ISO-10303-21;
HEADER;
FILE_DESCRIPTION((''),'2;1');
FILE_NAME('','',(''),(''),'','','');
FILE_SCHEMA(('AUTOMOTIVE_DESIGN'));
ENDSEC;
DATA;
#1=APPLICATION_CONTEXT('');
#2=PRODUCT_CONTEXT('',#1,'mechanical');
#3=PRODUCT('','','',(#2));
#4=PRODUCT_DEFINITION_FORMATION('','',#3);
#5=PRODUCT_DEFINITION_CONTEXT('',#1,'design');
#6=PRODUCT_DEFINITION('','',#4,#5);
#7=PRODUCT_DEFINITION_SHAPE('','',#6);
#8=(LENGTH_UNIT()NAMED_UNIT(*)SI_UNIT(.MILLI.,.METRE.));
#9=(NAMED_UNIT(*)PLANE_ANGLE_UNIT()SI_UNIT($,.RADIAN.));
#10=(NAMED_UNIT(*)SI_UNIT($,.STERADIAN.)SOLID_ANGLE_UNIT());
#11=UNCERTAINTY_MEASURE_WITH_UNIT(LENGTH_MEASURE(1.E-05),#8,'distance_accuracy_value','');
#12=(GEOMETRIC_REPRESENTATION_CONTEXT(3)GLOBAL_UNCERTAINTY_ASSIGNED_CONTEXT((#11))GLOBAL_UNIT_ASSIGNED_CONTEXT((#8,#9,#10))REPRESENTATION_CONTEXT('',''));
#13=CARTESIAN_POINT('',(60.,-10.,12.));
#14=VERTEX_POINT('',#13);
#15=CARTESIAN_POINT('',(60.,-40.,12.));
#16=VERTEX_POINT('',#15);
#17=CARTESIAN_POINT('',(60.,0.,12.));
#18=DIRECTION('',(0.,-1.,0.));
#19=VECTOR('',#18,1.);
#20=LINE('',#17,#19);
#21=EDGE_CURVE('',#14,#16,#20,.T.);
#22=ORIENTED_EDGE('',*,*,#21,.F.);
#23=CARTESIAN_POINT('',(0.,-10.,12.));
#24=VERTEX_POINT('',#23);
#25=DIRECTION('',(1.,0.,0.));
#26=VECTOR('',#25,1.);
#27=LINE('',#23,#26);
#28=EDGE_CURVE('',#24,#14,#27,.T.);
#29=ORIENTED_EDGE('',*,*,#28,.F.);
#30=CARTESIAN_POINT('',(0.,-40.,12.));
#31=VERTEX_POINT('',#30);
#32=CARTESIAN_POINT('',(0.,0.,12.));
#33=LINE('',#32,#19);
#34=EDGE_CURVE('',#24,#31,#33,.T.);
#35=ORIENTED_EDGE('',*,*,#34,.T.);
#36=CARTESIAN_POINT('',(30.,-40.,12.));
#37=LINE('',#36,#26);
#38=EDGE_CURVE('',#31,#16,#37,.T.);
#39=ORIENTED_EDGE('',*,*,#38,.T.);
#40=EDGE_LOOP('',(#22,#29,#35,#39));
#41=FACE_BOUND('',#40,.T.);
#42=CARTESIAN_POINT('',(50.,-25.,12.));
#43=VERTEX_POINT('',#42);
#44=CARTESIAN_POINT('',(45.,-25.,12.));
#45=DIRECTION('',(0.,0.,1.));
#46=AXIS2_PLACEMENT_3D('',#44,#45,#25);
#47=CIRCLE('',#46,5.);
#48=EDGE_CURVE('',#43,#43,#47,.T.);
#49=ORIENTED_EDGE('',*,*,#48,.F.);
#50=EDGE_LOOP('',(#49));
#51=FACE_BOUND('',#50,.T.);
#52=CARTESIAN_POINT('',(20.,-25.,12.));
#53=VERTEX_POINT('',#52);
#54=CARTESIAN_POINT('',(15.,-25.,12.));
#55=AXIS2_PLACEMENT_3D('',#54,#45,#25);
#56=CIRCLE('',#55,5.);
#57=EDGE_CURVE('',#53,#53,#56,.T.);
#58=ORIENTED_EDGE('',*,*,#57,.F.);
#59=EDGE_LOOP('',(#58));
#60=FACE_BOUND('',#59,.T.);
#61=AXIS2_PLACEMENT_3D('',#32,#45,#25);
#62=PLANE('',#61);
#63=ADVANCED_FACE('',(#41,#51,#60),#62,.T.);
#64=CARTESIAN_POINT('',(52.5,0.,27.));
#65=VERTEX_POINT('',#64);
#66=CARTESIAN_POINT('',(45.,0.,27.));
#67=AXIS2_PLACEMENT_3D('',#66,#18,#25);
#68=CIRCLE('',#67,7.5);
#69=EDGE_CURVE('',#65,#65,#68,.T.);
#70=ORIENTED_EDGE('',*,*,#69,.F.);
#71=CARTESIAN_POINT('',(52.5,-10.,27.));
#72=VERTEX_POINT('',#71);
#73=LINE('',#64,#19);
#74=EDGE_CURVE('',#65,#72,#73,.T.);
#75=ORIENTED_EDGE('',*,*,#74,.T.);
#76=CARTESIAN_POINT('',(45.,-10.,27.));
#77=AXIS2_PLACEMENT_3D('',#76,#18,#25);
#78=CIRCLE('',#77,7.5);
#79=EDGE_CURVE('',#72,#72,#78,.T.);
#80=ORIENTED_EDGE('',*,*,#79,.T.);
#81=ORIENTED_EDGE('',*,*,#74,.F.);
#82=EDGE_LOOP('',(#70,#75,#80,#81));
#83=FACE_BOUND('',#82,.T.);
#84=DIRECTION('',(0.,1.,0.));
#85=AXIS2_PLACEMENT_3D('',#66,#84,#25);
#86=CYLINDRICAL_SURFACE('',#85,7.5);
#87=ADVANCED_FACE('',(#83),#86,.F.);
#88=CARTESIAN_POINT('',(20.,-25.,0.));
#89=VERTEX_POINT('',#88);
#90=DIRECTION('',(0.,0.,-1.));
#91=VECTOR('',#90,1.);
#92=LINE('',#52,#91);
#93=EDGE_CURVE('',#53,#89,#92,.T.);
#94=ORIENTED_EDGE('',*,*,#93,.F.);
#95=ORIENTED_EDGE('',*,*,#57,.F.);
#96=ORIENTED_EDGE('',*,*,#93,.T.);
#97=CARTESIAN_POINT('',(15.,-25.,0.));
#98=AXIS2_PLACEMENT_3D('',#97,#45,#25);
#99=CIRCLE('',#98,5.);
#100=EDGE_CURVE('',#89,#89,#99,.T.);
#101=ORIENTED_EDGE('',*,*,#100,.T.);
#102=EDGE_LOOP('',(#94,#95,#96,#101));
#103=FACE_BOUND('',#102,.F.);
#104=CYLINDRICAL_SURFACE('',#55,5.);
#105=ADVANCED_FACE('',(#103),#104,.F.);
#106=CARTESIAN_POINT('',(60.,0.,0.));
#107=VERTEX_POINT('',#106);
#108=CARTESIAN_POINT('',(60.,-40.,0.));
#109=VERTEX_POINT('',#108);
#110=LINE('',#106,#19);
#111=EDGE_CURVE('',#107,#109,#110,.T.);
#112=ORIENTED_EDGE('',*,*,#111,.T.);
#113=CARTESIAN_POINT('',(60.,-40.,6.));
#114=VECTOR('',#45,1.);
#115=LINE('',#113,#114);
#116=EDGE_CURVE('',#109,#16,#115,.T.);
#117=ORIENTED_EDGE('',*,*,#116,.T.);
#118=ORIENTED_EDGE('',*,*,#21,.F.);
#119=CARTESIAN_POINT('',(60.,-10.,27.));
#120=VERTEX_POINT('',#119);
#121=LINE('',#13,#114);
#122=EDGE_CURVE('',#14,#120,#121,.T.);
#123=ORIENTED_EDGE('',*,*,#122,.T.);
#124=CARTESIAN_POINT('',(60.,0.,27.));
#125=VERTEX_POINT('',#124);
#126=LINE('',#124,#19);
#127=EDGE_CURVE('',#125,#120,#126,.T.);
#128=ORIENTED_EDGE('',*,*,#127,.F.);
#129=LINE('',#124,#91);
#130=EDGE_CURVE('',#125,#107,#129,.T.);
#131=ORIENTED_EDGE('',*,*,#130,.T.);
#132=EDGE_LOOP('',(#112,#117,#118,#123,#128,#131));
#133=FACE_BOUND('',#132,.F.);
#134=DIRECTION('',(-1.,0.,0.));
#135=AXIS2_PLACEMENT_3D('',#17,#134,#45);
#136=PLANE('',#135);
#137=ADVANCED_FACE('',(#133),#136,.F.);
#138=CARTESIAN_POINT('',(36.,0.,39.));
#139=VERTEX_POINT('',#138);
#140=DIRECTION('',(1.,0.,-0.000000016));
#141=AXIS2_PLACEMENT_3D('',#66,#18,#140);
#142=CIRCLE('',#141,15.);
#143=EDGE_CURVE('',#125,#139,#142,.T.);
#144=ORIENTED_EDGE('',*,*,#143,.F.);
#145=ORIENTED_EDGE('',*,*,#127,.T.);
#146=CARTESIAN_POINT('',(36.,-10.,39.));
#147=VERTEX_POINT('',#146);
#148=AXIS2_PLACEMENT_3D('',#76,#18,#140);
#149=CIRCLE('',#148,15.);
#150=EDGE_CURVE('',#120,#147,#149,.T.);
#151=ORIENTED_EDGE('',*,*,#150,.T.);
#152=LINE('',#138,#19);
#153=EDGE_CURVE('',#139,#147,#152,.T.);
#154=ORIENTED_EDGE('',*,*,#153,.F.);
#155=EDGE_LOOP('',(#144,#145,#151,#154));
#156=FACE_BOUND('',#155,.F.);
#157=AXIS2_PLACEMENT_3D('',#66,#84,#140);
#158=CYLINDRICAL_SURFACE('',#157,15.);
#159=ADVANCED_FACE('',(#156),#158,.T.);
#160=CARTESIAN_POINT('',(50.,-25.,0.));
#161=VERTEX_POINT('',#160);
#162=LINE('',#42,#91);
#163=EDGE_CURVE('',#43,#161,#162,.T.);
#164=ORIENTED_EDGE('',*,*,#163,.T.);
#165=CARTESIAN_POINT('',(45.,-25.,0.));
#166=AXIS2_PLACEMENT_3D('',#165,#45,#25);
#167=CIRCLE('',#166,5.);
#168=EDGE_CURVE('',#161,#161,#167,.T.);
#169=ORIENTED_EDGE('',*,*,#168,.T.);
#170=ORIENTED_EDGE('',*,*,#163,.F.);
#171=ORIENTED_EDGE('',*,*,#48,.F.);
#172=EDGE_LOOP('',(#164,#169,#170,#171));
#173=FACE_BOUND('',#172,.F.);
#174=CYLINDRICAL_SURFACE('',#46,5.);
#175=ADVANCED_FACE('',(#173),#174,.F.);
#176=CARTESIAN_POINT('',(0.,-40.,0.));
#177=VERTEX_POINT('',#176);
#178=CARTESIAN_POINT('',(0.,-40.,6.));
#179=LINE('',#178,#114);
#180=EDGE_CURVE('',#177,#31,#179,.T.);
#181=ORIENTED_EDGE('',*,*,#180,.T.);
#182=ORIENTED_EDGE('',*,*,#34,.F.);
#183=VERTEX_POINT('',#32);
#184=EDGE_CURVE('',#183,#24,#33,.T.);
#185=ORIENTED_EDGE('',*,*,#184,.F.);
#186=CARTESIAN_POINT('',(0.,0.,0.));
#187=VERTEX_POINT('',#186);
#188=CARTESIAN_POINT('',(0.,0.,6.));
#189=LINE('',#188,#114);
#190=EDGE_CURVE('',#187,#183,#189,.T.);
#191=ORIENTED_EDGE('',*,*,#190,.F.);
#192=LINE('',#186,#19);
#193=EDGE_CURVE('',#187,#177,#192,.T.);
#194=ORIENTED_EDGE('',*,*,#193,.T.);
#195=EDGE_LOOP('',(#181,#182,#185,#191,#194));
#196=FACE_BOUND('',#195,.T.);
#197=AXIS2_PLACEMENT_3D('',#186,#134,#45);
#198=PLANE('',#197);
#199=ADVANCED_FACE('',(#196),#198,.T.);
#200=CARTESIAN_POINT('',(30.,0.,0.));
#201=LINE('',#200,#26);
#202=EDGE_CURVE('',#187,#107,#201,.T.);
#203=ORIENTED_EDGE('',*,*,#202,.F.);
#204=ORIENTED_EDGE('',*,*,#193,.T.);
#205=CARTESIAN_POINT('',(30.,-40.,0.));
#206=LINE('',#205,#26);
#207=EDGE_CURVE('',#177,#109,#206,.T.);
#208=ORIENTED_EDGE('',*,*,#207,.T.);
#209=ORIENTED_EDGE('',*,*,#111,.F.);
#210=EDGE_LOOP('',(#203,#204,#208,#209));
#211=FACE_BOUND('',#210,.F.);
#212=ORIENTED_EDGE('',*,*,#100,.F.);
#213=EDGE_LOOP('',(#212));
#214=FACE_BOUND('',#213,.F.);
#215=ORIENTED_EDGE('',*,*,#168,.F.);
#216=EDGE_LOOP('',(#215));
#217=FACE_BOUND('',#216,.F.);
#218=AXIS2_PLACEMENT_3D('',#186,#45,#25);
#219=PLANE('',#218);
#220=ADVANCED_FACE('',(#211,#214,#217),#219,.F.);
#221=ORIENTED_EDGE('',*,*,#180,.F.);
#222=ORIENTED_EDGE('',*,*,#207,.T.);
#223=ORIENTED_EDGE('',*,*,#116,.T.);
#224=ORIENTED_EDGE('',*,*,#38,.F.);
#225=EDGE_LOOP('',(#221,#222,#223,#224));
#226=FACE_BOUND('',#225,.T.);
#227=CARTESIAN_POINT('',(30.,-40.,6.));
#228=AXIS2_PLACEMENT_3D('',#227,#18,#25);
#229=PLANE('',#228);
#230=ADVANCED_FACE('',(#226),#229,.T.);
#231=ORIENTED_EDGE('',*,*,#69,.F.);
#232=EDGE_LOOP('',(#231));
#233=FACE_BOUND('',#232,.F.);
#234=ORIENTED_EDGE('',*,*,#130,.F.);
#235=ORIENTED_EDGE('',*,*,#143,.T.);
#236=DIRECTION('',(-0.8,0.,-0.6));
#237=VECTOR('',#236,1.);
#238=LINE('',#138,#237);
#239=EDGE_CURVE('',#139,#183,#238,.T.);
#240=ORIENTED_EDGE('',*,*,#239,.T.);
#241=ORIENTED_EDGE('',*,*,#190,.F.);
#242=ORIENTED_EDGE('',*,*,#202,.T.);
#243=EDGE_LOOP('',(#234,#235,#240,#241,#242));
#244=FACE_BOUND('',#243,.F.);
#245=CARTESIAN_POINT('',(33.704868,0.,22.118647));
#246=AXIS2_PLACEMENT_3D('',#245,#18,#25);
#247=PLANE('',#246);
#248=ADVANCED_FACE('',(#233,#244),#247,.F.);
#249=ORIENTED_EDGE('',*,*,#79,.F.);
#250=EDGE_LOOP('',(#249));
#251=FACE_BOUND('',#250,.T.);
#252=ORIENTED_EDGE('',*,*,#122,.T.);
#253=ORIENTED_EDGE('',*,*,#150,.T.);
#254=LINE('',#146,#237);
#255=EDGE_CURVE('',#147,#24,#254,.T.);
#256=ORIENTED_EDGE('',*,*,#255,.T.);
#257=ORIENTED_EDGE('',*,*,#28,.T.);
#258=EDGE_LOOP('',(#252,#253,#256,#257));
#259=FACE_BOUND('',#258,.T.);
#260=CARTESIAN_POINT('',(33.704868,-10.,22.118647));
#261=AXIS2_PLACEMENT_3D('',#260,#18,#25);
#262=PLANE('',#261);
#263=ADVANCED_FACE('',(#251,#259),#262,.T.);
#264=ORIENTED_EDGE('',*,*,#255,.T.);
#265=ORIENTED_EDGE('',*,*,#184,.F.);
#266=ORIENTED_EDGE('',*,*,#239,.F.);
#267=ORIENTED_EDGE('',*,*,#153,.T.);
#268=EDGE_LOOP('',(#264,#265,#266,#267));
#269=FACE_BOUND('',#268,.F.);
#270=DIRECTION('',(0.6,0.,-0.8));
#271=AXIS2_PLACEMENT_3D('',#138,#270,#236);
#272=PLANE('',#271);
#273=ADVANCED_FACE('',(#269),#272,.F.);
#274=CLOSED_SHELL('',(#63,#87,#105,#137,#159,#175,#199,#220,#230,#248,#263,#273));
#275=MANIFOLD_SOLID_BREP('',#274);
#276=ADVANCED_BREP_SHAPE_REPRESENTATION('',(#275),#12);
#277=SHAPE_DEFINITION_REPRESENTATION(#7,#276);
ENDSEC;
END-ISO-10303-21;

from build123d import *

# Parameters (mm, degrees)
F0_W     = 60
F0_H     = 12
F1_DEPTH = 40
F0_R     = 7.5
F2_DEPTH = 10
F3_R     = 5
F4_DEPTH = 12.001


with BuildPart() as f1:
    # F0 (on Front) → F1 (new body)
    with BuildSketch(Plane.XZ):
        with Locations((30, 6)):
            Rectangle(F0_W, F0_H)
    extrude(amount=F1_DEPTH)

    # F0 (on Front) → F2 (join)
    with BuildSketch(Plane.XZ):
        with BuildLine():
            Line((36, 39), (0, 12))
            Line((0, 12), (60, 12))
            Line((60, 12), (60, 27))
            ThreePointArc((60, 27), (51.708204, 40.416408), (36, 39))
        make_face()
        with Locations((45, 27)):
            Circle(F0_R, mode=Mode.SUBTRACT)
    extrude(amount=F2_DEPTH)

    # F3 (on face) → F4 (cut, through all)
    with BuildSketch(Plane.XY.offset(12)):
        with Locations((15, -25)):
            Circle(F3_R)
        with Locations((45, -25)):
            Circle(F3_R)
    extrude(amount=-F4_DEPTH, mode=Mode.SUBTRACT)


solid = f1.part
